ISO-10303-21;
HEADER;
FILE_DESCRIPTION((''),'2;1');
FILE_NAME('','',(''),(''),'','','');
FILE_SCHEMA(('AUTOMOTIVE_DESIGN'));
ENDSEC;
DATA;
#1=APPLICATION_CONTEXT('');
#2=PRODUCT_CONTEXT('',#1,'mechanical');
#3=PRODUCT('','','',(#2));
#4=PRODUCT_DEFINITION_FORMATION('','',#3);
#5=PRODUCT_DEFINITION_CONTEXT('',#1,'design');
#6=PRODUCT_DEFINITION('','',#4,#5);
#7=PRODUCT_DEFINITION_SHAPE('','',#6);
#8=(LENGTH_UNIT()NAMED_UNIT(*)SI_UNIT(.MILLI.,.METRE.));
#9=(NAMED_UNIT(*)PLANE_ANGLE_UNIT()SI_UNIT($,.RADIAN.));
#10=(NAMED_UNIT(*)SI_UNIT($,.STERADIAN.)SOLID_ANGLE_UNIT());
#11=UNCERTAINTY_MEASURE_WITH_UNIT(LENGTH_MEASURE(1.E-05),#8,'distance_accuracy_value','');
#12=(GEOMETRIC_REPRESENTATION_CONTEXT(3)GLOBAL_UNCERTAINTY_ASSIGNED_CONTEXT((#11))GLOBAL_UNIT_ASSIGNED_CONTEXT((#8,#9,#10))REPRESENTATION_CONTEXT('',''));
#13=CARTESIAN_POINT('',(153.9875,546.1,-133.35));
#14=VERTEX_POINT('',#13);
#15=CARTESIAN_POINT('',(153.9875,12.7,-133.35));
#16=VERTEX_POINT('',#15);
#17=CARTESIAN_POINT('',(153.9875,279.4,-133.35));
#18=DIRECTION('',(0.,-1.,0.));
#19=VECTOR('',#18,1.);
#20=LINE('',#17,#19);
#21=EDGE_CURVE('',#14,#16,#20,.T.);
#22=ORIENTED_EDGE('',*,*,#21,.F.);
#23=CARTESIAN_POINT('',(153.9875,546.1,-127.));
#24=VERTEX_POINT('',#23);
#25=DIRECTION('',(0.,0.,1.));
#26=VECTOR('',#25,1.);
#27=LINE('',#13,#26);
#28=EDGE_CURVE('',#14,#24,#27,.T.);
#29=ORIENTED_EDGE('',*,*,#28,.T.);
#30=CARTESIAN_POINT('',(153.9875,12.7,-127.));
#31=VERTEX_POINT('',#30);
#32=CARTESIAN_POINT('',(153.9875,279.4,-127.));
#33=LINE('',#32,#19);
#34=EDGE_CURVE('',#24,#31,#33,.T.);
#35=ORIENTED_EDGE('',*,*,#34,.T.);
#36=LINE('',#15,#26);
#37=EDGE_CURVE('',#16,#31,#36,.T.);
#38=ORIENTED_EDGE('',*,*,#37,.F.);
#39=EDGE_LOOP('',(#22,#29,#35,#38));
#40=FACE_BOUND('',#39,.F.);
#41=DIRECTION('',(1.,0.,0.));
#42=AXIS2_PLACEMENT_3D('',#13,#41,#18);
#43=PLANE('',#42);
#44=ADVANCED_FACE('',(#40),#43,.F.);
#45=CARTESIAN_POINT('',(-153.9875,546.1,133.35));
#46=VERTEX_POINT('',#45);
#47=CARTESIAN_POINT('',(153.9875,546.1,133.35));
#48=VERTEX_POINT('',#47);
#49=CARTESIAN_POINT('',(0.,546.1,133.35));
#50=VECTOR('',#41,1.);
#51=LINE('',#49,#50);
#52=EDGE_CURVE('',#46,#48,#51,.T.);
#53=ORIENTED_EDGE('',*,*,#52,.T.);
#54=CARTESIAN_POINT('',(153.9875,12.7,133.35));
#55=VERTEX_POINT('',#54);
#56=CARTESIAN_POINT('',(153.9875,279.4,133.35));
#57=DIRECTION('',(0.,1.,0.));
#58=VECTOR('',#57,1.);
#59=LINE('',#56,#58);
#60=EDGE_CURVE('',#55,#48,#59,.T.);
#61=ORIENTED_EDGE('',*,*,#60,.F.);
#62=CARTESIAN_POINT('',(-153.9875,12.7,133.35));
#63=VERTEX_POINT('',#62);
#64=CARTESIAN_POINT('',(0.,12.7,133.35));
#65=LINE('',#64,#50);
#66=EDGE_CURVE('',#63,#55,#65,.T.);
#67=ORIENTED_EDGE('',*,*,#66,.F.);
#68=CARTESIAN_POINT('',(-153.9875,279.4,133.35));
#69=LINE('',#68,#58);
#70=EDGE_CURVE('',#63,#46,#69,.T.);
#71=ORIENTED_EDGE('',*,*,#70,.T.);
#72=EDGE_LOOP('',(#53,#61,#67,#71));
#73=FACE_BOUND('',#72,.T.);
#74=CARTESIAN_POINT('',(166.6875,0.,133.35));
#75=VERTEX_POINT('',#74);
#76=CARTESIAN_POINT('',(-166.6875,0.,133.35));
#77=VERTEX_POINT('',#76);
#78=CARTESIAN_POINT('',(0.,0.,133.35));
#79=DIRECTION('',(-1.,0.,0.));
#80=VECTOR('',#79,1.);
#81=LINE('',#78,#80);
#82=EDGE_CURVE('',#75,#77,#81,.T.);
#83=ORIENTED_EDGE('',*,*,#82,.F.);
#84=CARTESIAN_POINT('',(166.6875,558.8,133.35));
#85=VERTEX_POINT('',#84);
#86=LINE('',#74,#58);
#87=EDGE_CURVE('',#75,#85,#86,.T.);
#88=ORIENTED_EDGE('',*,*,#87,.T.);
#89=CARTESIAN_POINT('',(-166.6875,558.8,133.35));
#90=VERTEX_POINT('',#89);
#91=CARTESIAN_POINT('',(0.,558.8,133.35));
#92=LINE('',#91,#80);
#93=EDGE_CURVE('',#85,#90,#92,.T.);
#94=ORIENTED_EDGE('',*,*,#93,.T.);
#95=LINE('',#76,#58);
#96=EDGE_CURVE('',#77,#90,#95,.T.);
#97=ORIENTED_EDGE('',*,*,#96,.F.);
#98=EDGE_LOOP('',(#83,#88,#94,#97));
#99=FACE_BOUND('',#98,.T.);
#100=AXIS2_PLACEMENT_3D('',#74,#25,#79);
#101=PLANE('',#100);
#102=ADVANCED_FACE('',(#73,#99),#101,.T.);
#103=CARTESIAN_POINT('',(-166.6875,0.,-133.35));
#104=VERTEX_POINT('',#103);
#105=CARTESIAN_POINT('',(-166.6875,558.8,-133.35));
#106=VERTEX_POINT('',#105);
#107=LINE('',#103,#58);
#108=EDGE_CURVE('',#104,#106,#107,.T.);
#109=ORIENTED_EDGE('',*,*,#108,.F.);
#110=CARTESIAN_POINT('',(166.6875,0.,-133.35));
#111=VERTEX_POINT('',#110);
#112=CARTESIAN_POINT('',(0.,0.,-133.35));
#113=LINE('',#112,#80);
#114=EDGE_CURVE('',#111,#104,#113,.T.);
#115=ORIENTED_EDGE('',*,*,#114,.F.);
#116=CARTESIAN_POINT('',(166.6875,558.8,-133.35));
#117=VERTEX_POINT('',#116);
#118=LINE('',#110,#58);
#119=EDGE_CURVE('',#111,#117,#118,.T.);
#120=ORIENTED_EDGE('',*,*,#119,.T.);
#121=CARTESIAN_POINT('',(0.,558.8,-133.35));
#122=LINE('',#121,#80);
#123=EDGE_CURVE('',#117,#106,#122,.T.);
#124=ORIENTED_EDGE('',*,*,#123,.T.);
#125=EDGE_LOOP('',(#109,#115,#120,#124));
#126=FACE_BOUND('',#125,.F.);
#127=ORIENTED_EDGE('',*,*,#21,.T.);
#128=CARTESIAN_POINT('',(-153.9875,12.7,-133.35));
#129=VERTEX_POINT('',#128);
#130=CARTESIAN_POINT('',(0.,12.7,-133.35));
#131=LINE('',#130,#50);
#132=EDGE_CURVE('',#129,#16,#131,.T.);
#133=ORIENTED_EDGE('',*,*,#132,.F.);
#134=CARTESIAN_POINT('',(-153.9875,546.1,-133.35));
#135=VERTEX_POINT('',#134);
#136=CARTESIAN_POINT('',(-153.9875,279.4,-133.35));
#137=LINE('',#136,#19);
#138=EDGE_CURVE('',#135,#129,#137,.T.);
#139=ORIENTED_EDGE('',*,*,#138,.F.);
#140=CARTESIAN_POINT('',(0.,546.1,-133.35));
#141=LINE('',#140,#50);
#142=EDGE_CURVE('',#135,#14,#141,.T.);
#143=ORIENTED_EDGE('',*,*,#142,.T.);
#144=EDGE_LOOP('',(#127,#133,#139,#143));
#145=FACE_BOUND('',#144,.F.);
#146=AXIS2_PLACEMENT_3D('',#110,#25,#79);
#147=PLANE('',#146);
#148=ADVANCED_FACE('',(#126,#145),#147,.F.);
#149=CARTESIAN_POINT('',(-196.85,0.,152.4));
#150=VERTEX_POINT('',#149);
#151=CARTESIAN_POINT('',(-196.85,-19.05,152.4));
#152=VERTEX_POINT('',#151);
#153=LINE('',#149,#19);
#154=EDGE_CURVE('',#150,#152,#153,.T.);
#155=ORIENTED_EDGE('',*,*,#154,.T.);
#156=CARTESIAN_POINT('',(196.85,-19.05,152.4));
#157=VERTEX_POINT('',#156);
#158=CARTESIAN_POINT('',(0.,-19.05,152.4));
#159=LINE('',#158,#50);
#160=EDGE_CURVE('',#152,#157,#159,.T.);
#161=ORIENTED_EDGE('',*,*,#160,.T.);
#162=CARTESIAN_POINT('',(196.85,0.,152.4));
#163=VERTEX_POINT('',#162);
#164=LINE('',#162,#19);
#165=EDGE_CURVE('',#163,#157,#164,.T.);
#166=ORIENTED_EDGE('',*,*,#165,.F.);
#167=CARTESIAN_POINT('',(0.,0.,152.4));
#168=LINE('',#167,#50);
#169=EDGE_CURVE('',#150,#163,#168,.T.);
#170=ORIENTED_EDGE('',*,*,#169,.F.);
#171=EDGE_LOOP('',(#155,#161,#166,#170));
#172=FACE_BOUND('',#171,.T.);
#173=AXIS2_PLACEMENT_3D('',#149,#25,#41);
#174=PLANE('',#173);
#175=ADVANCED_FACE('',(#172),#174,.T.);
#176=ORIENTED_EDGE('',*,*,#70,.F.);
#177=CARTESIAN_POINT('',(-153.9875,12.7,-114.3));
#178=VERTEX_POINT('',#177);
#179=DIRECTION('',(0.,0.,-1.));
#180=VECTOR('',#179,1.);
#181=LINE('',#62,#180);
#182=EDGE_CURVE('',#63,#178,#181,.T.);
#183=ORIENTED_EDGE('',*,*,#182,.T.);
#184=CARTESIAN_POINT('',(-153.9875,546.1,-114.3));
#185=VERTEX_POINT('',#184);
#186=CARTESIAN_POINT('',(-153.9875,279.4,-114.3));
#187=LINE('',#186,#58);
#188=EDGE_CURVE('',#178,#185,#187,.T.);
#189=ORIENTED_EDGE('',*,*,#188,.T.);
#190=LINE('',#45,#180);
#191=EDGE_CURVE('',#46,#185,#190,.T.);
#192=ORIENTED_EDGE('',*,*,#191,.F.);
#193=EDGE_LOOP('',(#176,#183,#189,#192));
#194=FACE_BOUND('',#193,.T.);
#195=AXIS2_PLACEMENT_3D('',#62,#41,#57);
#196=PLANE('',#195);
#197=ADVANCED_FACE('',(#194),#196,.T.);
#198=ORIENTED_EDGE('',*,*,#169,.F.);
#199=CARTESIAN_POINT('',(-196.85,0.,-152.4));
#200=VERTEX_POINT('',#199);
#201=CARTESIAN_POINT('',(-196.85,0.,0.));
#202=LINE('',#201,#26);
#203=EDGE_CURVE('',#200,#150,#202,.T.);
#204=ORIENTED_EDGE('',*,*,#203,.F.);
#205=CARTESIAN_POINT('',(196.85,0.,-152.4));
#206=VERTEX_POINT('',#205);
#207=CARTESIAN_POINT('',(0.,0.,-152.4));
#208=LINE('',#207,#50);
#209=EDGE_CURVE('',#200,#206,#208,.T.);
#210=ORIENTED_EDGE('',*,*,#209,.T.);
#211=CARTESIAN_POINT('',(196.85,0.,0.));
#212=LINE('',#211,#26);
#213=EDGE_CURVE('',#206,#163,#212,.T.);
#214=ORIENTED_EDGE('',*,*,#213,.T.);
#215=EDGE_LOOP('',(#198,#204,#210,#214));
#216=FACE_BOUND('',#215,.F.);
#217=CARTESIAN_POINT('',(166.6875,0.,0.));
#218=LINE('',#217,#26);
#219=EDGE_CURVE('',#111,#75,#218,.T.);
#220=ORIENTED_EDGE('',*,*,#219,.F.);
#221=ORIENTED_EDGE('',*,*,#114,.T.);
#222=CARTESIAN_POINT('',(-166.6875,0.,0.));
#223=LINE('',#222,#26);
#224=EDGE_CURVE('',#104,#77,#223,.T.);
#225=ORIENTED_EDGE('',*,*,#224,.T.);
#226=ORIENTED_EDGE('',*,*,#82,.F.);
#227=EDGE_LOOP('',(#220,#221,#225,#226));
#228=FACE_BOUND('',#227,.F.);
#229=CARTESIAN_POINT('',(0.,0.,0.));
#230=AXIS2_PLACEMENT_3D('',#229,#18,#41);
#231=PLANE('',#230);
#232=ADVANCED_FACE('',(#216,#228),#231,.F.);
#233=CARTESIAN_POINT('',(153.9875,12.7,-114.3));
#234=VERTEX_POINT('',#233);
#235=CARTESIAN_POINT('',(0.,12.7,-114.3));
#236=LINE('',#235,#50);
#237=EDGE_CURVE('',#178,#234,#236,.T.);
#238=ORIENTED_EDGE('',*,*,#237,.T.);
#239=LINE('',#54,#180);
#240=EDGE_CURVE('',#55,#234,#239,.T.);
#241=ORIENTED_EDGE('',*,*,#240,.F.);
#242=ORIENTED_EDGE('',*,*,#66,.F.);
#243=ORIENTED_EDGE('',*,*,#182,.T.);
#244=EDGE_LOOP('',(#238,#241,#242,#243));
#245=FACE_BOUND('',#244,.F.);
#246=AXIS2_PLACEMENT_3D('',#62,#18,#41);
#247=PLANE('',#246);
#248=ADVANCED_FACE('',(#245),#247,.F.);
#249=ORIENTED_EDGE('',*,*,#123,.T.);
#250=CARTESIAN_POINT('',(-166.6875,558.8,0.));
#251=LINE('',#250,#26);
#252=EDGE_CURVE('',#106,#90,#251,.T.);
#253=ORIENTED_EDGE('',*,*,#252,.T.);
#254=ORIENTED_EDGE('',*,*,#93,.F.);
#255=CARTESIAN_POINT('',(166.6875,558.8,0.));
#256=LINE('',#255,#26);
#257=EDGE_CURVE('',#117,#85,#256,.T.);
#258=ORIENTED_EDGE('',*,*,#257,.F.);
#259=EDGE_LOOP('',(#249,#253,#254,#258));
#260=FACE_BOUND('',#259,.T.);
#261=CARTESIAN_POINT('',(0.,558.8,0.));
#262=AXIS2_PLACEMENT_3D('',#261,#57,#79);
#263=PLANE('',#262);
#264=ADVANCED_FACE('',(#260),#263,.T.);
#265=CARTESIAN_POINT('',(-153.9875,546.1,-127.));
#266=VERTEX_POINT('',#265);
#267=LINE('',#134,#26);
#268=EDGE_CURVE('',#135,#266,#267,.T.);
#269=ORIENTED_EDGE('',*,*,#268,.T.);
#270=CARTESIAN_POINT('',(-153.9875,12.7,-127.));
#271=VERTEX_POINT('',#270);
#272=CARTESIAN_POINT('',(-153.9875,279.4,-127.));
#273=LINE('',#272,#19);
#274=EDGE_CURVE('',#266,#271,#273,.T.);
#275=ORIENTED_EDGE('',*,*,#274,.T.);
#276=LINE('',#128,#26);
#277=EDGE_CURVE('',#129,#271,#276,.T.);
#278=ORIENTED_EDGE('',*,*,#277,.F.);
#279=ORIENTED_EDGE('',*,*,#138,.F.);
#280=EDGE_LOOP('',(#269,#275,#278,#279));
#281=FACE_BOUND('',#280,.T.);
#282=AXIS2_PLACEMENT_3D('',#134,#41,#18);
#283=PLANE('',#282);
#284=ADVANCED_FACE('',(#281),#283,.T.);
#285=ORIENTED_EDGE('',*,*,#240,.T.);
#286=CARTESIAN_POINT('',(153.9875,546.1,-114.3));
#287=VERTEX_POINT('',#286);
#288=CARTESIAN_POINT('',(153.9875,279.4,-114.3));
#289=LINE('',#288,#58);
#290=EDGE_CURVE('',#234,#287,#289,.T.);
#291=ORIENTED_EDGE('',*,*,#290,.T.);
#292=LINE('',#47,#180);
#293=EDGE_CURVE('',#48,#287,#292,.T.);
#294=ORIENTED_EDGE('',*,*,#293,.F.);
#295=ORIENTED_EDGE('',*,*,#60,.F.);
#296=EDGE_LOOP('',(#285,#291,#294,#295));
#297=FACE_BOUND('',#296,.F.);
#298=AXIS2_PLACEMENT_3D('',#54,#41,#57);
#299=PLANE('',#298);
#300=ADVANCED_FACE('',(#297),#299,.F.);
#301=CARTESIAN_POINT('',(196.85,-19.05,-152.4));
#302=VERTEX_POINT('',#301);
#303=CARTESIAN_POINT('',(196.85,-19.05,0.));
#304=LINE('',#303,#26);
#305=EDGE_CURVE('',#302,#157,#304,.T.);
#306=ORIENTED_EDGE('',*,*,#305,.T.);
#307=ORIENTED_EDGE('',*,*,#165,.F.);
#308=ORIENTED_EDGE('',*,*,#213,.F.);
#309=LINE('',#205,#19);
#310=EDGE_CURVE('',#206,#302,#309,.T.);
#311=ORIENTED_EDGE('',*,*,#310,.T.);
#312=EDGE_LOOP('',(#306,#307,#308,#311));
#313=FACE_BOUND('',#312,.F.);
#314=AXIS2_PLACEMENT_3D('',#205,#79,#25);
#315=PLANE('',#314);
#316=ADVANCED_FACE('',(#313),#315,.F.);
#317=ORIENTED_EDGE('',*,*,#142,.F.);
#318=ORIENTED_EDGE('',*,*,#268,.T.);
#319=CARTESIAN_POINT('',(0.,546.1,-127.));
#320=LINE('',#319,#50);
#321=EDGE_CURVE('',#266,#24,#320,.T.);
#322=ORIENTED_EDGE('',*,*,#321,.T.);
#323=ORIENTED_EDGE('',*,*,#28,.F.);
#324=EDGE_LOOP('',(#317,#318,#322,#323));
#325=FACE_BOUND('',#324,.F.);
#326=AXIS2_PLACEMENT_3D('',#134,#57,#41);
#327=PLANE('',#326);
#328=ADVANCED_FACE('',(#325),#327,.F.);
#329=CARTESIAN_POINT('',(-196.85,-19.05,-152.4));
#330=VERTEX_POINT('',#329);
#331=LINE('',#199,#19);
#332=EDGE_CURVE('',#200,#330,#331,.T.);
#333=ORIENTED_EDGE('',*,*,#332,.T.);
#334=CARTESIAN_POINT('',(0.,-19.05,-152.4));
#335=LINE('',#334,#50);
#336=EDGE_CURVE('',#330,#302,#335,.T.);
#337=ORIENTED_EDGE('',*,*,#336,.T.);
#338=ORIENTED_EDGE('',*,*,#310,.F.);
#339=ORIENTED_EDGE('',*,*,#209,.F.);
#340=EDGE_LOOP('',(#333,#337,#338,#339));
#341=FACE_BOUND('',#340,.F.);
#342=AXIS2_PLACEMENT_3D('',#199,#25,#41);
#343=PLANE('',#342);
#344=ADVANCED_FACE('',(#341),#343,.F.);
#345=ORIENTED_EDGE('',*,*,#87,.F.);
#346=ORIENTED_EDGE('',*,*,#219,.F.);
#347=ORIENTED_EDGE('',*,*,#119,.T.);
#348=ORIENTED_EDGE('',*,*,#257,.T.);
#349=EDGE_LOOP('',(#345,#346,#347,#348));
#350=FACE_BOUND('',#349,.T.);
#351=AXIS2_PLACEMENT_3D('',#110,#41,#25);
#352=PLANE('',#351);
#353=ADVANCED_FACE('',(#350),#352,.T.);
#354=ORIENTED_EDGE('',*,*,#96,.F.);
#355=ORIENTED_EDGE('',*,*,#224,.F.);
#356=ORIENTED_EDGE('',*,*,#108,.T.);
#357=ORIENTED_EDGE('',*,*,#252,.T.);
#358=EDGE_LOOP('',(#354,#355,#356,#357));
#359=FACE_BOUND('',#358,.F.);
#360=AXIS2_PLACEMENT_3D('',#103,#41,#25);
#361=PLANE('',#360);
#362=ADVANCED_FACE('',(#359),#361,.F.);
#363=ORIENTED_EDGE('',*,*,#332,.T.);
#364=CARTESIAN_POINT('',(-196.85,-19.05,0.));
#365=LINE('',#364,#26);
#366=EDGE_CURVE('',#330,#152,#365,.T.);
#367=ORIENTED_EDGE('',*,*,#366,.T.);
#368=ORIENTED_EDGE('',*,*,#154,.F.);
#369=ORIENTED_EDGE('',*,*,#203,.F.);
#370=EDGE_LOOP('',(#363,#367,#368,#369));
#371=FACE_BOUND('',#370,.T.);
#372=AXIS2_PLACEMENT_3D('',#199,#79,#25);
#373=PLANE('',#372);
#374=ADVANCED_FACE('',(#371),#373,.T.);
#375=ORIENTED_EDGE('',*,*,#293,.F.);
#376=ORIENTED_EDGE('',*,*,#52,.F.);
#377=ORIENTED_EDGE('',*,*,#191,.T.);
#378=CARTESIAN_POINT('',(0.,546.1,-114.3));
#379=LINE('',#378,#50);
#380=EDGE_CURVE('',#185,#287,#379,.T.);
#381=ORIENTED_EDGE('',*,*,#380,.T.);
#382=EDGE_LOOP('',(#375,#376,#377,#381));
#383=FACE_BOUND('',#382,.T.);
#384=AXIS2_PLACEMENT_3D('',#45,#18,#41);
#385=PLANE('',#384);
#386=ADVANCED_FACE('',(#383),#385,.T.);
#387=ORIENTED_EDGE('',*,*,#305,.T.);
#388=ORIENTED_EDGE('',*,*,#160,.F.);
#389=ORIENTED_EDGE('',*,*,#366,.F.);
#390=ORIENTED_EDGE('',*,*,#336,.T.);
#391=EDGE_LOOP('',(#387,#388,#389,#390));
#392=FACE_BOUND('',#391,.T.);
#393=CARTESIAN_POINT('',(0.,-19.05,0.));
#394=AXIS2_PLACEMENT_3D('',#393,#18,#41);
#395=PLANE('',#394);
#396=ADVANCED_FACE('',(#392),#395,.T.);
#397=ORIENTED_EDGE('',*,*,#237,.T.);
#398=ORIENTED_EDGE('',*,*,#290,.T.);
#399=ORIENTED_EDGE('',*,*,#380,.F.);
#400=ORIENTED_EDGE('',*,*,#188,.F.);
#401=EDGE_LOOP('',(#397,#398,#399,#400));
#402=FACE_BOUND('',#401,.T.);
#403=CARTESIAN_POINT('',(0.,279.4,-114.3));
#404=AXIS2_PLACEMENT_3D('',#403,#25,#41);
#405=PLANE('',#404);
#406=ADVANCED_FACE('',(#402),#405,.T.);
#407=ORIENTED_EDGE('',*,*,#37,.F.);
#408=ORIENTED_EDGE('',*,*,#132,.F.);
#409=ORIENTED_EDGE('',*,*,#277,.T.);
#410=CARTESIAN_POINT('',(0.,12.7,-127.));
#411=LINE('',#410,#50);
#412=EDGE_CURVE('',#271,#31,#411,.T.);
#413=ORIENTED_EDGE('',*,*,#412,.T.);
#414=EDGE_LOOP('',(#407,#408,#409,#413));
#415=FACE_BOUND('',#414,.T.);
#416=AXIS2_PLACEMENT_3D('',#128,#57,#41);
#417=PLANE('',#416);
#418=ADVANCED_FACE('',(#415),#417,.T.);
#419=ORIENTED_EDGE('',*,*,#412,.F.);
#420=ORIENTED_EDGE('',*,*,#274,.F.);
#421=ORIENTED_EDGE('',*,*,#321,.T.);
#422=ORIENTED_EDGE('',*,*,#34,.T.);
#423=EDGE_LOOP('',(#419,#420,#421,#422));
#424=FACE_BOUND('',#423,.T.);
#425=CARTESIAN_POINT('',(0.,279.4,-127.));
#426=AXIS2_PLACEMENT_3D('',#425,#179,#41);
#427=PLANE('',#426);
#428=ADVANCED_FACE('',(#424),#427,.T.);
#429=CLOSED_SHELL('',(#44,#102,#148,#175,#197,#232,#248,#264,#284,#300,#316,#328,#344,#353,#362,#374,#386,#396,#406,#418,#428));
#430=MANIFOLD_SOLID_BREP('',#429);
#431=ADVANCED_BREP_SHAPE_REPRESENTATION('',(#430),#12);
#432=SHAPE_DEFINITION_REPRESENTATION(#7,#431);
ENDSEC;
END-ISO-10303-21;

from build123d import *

# Parameters (mm, degrees)
F0_W     = 393.7
F0_H     = 304.8
F1_DEPTH = 19.05
F2_W     = 333.375
F2_H     = 266.7
F3_DEPTH = 558.8
F4_W     = 307.975
F4_H     = 533.4
F5_DEPTH = 247.65
F6_W     = 307.975
F6_H     = 533.4
F7_DEPTH = 6.35


with BuildPart() as f1:
    # F0 (on Front) → F1 (new body)
    with BuildSketch(Plane.XZ):
        Rectangle(F0_W, F0_H)
    extrude(amount=F1_DEPTH)

    # F2 (on face) → F3 (join)
    with BuildSketch(Plane(origin=(0, 0, 0), x_dir=(-1, 0, 0), z_dir=(0, 1, 0))):
        Rectangle(F2_W, F2_H)
    extrude(amount=F3_DEPTH)

    # F4 (on face) → F5 (cut)
    with BuildSketch(Plane.XY.offset(133.35)):
        with Locations((0, 279.4)):
            Rectangle(F4_W, F4_H)
    extrude(amount=-F5_DEPTH, mode=Mode.SUBTRACT)

    # F6 (on face) → F7 (cut)
    with BuildSketch(Plane(origin=(0, 0, -133.35), x_dir=(1, 0, 0), z_dir=(0, 0, -1))):
        with Locations((0, -279.4)):
            Rectangle(F6_W, F6_H)
    extrude(amount=-F7_DEPTH, mode=Mode.SUBTRACT)


solid = f1.part
